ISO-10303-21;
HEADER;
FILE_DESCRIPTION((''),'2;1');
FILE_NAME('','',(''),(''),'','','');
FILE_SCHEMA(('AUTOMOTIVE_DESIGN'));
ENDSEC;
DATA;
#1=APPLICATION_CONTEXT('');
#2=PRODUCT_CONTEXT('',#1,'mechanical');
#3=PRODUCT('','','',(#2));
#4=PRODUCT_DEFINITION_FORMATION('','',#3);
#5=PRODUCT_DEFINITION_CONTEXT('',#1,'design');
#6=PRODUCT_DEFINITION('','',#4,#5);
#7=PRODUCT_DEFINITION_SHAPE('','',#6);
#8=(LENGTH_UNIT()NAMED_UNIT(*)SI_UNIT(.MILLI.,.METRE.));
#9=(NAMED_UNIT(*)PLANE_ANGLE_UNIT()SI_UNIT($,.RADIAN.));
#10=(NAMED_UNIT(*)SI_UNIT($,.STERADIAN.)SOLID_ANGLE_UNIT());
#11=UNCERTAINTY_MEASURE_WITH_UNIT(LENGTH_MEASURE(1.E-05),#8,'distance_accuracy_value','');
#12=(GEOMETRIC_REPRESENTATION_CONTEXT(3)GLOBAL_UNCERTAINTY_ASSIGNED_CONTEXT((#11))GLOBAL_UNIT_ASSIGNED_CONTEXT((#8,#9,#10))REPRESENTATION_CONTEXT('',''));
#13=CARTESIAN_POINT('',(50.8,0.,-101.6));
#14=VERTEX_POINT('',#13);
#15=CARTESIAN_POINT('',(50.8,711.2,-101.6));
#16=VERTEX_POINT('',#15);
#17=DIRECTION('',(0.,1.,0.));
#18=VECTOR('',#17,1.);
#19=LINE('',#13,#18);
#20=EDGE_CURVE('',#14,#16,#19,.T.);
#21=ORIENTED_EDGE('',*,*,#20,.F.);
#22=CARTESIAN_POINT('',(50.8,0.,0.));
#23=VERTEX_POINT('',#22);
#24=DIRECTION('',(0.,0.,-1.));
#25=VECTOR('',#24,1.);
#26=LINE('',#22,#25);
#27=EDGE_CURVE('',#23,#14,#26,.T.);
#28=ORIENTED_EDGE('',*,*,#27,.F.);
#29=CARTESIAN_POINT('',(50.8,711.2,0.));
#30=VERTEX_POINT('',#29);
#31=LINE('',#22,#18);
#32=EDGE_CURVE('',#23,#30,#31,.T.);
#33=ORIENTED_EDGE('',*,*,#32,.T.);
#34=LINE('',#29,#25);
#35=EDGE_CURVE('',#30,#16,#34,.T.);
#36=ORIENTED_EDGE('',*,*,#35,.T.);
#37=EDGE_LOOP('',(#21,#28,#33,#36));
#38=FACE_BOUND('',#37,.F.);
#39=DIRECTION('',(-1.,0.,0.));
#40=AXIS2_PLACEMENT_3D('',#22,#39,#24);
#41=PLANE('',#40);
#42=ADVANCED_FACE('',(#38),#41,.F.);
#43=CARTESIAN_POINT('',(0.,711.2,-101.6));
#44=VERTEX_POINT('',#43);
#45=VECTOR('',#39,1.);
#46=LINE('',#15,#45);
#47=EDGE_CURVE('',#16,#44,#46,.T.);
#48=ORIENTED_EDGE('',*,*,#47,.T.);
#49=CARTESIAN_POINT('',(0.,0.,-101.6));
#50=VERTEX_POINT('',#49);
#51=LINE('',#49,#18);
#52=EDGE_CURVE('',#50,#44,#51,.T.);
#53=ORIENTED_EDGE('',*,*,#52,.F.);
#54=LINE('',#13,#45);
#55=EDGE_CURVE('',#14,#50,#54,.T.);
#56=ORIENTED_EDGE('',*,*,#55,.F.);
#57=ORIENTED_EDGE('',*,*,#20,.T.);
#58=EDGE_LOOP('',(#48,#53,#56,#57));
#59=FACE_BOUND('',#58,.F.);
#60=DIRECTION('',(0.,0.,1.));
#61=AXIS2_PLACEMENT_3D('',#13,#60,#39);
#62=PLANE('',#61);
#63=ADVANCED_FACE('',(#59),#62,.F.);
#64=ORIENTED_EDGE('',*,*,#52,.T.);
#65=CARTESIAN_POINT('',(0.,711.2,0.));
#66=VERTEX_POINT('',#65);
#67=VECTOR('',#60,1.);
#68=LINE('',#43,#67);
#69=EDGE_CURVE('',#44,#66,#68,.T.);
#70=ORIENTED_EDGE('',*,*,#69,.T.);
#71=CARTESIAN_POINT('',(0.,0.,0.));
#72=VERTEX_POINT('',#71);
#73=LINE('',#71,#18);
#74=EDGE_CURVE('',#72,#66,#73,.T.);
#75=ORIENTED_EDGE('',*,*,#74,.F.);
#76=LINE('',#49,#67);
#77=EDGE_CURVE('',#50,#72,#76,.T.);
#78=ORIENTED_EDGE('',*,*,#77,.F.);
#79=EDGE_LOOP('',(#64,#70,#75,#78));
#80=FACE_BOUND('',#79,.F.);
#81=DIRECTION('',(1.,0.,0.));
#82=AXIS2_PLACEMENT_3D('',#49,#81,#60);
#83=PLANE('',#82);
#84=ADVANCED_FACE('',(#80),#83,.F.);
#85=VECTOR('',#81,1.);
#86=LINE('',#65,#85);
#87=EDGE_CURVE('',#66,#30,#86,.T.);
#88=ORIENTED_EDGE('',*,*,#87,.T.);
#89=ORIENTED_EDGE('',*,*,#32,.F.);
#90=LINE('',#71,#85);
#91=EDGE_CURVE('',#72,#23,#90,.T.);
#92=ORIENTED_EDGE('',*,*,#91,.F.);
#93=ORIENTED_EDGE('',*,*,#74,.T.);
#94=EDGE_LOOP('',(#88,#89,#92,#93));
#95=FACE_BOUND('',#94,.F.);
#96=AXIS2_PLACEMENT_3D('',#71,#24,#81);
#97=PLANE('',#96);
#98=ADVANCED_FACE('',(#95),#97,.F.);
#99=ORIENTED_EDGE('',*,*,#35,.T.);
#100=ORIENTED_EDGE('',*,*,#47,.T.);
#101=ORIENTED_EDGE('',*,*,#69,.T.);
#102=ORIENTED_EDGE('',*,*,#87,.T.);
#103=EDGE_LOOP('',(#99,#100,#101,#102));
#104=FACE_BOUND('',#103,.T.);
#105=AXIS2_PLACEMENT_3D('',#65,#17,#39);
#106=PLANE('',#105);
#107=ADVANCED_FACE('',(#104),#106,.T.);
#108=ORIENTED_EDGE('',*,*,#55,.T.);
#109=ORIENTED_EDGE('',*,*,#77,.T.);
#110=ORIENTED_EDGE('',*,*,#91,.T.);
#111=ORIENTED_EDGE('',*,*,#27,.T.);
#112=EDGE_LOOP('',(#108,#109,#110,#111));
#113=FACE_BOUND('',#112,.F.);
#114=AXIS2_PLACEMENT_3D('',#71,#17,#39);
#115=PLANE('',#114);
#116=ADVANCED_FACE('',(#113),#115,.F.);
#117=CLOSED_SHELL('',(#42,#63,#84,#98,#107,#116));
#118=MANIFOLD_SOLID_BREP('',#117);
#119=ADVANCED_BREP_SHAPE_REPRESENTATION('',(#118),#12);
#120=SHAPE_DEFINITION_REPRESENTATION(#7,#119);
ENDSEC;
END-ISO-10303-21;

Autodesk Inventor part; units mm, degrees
ref_plane "YZ Plane" through (0, 0, 0) normal (1, 0, 0) x (0, 1, 0)
ref_plane "XZ Plane" through (0, 0, 0) normal (0, 1, 0) x (-1, 0, 0)
ref_plane "XY Plane" through (0, 0, 0) normal (0, 0, 1) x (1, 0, 0)
sketch "Sketch1" plane through (0, 0, 0) normal (0, 1, 0) x (-1, 0, 0)
  line L0 (0, 0) -> (-50.8, 0)
  line L1 (-50.8, 0) -> (-50.8, -101.6)
  line L2 (-50.8, -101.6) -> (0, -101.6)
  line L3 (0, -101.6) -> (0, 0)
  dimension "d0" = 101.6
  dimension "d1" = 50.8
extrude "Extrusion1" add sketch "Sketch1" along normal blind 711.2
properties part number "TopPost" material "Wood (Birch)"
